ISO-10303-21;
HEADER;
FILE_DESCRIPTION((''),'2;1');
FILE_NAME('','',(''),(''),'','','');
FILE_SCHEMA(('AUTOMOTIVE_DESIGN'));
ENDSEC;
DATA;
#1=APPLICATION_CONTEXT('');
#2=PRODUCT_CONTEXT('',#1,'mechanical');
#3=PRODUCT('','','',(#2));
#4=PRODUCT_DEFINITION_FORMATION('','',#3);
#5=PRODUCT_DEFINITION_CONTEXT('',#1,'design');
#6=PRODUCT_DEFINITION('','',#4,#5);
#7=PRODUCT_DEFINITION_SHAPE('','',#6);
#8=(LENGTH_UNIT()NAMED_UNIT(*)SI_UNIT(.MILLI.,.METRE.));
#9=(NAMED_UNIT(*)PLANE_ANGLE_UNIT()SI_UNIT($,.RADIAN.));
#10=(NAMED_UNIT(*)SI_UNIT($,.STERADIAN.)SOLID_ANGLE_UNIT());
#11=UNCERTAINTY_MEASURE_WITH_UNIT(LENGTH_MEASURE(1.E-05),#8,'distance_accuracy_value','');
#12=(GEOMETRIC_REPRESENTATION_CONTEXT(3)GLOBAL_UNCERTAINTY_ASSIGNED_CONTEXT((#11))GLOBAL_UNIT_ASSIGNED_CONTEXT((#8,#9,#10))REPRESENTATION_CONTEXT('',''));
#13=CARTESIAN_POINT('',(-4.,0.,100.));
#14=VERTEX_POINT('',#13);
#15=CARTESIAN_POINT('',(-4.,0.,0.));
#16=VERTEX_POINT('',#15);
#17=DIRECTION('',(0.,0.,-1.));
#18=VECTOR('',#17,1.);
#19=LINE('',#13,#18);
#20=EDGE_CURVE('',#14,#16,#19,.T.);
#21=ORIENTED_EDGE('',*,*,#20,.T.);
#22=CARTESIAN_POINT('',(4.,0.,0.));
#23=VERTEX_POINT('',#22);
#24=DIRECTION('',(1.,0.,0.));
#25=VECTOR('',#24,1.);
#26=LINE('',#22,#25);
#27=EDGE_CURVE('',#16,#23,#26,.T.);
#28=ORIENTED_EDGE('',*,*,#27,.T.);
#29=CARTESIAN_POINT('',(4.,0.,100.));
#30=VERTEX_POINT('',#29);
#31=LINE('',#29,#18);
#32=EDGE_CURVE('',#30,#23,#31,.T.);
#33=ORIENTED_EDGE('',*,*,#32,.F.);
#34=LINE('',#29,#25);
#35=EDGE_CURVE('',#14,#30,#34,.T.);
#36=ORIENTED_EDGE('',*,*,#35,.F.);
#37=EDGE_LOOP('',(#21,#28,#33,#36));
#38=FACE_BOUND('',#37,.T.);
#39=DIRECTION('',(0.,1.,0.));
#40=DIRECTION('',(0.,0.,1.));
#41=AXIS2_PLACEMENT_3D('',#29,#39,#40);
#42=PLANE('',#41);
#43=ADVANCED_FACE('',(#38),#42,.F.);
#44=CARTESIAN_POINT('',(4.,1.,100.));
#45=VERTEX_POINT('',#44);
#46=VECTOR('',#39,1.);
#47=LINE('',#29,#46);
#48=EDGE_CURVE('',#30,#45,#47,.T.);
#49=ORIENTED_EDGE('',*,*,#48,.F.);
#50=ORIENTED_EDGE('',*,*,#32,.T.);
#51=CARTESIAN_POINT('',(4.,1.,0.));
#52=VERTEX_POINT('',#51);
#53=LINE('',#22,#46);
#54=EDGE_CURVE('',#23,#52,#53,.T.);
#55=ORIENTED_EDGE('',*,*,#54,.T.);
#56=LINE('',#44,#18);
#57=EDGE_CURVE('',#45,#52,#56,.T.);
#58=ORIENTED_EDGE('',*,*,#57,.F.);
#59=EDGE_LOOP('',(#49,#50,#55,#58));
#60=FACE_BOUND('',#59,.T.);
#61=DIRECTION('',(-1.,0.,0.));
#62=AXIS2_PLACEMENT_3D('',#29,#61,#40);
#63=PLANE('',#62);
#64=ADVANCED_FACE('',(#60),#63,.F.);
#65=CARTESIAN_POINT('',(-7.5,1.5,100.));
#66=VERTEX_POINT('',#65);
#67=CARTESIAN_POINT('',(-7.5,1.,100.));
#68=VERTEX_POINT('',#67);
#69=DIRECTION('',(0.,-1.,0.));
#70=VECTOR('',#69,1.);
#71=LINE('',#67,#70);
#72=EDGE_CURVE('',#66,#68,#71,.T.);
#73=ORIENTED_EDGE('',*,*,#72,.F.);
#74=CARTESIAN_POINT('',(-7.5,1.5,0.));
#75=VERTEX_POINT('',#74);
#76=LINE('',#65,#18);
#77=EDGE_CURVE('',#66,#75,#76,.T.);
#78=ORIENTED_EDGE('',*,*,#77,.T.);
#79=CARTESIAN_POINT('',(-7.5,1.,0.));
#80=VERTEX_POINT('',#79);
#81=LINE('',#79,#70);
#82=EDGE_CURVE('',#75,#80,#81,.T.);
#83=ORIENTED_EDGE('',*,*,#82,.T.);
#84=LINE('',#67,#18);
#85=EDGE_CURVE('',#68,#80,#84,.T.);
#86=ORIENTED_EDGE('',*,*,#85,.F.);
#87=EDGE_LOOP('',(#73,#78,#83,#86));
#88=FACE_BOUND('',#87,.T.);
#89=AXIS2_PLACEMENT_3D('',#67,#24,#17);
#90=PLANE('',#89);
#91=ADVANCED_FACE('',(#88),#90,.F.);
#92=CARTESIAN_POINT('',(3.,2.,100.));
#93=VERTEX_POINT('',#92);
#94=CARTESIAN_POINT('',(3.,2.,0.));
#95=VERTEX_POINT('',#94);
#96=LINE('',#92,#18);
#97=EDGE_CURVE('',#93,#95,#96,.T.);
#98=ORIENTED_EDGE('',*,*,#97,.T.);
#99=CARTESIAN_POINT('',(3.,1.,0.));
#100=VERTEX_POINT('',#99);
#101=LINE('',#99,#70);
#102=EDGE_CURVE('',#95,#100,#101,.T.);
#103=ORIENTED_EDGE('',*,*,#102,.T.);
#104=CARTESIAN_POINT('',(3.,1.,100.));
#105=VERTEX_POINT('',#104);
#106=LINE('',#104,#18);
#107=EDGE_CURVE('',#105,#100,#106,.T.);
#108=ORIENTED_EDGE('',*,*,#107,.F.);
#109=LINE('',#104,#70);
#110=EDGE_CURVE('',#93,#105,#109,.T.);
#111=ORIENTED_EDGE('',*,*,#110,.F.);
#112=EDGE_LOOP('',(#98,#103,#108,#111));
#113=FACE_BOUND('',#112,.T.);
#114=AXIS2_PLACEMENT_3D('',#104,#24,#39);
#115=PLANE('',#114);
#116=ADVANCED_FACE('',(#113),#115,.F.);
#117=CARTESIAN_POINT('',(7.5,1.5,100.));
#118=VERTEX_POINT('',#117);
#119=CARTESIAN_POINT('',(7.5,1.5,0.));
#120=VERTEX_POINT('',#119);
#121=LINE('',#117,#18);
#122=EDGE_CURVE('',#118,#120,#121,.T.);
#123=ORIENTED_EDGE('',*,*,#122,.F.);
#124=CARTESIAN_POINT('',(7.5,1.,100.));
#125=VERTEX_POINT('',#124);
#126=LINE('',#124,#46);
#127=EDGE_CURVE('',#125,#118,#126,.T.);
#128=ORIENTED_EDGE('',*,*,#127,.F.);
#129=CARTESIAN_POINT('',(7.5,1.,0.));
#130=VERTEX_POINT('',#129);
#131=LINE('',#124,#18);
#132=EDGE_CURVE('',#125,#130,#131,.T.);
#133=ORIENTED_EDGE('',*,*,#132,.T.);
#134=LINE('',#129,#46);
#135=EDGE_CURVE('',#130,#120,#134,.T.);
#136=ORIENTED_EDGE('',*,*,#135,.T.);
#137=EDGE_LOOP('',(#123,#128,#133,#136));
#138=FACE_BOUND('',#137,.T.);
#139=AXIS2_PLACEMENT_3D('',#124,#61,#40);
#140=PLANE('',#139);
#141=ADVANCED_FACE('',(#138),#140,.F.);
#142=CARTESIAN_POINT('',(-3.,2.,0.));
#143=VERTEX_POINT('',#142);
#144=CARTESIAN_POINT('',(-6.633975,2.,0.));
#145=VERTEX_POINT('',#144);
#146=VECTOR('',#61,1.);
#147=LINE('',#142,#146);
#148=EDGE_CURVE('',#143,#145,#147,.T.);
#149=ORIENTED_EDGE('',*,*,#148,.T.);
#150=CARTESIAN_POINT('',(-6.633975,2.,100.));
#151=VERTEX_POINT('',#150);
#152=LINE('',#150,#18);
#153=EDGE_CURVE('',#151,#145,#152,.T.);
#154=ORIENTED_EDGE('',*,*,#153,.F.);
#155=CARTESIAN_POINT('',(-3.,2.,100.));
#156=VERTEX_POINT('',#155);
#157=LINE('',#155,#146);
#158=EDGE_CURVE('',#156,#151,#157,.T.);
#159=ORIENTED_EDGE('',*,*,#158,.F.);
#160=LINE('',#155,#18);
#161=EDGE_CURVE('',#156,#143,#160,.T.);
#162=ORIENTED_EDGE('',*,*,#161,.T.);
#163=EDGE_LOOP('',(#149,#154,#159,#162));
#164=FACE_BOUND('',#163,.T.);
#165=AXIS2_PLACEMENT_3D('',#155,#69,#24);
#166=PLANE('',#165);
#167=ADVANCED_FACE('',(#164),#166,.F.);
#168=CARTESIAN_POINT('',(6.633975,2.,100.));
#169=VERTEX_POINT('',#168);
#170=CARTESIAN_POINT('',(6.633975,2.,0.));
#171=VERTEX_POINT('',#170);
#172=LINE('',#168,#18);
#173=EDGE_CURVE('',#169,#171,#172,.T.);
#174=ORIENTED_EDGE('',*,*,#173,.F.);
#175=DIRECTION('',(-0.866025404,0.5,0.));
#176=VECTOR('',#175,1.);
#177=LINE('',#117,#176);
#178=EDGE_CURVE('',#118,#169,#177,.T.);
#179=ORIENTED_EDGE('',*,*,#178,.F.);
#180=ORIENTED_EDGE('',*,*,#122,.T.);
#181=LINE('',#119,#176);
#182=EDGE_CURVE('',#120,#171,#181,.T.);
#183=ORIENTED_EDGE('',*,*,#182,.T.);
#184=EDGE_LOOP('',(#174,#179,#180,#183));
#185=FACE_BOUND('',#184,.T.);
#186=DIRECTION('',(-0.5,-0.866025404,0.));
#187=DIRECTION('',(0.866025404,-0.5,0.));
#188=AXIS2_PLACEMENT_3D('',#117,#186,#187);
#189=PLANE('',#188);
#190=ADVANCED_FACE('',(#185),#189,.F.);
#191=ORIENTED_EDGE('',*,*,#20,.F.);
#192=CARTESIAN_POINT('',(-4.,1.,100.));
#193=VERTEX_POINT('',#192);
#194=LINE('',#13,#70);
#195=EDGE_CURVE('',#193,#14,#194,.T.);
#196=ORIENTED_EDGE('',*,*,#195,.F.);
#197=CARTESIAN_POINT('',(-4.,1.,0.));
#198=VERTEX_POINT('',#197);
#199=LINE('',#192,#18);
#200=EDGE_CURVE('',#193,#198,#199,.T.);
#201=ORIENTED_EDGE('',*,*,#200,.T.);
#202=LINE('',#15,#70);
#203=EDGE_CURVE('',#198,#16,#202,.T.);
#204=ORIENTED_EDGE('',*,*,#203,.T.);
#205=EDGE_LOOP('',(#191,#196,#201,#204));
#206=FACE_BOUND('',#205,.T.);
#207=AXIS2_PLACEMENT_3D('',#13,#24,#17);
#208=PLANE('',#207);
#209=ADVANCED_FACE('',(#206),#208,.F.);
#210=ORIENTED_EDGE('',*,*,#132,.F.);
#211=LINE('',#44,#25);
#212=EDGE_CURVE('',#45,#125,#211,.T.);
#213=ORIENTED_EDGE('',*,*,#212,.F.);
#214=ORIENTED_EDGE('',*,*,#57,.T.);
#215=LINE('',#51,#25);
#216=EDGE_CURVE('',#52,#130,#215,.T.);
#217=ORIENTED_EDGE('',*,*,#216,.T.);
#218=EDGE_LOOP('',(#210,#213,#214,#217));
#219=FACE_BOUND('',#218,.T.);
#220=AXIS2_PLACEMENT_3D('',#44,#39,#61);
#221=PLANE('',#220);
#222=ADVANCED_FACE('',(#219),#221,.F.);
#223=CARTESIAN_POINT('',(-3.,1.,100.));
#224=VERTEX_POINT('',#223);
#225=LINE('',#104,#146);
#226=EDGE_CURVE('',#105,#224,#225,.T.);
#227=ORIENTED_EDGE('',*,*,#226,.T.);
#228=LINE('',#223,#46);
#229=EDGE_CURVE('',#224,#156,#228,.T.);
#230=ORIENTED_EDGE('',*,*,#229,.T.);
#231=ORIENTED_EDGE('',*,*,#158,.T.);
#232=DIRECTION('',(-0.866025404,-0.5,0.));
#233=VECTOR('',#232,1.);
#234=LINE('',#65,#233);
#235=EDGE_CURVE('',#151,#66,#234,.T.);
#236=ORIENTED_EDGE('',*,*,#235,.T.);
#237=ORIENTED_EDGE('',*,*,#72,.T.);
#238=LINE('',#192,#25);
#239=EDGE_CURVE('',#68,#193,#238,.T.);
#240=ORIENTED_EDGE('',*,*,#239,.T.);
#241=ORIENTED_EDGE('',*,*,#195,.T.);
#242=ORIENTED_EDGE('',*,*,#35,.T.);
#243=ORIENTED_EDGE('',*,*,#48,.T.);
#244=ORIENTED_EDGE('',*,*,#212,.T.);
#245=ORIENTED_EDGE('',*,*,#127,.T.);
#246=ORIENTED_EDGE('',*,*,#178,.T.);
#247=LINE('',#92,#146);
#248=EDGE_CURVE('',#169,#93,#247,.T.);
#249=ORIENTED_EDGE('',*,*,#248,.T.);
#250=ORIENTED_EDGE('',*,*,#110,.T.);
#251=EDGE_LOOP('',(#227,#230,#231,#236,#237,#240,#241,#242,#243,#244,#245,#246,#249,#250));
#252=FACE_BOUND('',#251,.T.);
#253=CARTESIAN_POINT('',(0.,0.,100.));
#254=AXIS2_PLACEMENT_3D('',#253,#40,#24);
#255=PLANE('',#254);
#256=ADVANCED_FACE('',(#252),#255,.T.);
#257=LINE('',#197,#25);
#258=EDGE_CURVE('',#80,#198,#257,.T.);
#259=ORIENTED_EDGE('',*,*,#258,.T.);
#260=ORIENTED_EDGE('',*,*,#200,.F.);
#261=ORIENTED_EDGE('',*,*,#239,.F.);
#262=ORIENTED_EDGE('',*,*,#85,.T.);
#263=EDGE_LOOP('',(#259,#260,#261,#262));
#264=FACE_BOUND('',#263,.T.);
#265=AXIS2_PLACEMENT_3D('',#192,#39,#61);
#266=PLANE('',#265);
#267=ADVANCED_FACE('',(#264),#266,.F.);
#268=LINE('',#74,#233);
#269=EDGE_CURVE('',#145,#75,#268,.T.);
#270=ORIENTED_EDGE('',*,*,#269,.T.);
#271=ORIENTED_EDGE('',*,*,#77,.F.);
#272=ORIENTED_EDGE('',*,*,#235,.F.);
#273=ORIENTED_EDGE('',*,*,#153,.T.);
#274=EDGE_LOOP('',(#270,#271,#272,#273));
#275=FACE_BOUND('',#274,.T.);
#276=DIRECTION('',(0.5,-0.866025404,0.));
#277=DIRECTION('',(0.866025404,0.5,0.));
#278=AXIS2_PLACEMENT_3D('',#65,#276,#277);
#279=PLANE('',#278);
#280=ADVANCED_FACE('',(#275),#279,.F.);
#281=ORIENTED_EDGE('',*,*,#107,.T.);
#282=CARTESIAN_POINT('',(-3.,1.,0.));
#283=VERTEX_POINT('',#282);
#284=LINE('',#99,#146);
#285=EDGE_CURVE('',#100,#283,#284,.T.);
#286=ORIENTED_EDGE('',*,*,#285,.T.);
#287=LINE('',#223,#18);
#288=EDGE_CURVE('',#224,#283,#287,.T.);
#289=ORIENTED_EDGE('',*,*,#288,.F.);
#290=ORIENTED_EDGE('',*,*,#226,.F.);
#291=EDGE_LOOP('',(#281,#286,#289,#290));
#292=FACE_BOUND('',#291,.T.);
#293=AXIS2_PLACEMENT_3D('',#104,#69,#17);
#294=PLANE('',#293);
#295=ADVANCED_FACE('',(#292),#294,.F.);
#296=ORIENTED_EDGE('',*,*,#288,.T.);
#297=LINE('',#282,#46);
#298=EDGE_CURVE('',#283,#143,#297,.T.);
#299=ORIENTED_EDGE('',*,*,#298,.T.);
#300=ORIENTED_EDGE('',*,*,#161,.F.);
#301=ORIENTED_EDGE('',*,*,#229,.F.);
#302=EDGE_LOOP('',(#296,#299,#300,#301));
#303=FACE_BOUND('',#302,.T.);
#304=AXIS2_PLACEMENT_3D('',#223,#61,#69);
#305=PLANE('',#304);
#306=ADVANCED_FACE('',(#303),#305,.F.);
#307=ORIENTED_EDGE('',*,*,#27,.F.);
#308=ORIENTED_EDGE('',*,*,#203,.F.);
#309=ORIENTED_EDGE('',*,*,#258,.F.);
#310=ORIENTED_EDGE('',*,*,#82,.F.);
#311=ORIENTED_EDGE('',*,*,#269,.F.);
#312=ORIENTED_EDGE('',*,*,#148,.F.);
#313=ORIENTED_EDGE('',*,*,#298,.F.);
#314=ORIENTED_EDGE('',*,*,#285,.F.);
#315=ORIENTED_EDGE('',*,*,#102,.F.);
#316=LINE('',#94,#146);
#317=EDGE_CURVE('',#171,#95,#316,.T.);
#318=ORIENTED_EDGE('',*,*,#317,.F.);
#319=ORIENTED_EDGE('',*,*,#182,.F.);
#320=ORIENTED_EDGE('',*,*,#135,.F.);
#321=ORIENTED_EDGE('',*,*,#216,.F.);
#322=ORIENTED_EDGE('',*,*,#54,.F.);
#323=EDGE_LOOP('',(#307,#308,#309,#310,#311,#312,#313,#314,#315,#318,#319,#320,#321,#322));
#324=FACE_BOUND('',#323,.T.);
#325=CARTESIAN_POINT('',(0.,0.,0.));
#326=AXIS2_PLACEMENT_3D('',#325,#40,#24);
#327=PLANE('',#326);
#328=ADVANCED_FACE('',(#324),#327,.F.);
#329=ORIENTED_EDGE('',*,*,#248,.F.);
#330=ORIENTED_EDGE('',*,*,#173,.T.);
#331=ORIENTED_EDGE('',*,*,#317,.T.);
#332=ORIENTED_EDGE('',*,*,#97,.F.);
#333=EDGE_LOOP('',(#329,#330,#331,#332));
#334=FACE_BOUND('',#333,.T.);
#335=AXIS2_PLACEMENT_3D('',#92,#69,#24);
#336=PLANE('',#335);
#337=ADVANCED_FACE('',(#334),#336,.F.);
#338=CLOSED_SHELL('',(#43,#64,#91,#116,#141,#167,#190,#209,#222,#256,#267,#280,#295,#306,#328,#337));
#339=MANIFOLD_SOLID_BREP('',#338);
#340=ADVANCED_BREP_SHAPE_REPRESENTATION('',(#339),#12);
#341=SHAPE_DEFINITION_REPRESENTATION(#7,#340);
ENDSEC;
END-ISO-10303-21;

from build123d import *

# Parameters (mm, degrees)
RESSALTO_EXTRUS_O1_DEPTH = 100


with BuildPart() as part:
    # Esboço1 → Ressalto-extrusão1 (new body)
    with BuildSketch(Plane.XY):
        Polygon((4, 0), (-4, 0), (-4, 1), (-7.5, 1), (-7.5, 1.5), (-6.633974596, 2), (-3, 2), (-3, 1), (3, 1), (3, 2), (6.633974596, 2), (7.5, 1.5), (7.5, 1), (4, 1), align=None)
    extrude(amount=RESSALTO_EXTRUS_O1_DEPTH)


solid = part.part
